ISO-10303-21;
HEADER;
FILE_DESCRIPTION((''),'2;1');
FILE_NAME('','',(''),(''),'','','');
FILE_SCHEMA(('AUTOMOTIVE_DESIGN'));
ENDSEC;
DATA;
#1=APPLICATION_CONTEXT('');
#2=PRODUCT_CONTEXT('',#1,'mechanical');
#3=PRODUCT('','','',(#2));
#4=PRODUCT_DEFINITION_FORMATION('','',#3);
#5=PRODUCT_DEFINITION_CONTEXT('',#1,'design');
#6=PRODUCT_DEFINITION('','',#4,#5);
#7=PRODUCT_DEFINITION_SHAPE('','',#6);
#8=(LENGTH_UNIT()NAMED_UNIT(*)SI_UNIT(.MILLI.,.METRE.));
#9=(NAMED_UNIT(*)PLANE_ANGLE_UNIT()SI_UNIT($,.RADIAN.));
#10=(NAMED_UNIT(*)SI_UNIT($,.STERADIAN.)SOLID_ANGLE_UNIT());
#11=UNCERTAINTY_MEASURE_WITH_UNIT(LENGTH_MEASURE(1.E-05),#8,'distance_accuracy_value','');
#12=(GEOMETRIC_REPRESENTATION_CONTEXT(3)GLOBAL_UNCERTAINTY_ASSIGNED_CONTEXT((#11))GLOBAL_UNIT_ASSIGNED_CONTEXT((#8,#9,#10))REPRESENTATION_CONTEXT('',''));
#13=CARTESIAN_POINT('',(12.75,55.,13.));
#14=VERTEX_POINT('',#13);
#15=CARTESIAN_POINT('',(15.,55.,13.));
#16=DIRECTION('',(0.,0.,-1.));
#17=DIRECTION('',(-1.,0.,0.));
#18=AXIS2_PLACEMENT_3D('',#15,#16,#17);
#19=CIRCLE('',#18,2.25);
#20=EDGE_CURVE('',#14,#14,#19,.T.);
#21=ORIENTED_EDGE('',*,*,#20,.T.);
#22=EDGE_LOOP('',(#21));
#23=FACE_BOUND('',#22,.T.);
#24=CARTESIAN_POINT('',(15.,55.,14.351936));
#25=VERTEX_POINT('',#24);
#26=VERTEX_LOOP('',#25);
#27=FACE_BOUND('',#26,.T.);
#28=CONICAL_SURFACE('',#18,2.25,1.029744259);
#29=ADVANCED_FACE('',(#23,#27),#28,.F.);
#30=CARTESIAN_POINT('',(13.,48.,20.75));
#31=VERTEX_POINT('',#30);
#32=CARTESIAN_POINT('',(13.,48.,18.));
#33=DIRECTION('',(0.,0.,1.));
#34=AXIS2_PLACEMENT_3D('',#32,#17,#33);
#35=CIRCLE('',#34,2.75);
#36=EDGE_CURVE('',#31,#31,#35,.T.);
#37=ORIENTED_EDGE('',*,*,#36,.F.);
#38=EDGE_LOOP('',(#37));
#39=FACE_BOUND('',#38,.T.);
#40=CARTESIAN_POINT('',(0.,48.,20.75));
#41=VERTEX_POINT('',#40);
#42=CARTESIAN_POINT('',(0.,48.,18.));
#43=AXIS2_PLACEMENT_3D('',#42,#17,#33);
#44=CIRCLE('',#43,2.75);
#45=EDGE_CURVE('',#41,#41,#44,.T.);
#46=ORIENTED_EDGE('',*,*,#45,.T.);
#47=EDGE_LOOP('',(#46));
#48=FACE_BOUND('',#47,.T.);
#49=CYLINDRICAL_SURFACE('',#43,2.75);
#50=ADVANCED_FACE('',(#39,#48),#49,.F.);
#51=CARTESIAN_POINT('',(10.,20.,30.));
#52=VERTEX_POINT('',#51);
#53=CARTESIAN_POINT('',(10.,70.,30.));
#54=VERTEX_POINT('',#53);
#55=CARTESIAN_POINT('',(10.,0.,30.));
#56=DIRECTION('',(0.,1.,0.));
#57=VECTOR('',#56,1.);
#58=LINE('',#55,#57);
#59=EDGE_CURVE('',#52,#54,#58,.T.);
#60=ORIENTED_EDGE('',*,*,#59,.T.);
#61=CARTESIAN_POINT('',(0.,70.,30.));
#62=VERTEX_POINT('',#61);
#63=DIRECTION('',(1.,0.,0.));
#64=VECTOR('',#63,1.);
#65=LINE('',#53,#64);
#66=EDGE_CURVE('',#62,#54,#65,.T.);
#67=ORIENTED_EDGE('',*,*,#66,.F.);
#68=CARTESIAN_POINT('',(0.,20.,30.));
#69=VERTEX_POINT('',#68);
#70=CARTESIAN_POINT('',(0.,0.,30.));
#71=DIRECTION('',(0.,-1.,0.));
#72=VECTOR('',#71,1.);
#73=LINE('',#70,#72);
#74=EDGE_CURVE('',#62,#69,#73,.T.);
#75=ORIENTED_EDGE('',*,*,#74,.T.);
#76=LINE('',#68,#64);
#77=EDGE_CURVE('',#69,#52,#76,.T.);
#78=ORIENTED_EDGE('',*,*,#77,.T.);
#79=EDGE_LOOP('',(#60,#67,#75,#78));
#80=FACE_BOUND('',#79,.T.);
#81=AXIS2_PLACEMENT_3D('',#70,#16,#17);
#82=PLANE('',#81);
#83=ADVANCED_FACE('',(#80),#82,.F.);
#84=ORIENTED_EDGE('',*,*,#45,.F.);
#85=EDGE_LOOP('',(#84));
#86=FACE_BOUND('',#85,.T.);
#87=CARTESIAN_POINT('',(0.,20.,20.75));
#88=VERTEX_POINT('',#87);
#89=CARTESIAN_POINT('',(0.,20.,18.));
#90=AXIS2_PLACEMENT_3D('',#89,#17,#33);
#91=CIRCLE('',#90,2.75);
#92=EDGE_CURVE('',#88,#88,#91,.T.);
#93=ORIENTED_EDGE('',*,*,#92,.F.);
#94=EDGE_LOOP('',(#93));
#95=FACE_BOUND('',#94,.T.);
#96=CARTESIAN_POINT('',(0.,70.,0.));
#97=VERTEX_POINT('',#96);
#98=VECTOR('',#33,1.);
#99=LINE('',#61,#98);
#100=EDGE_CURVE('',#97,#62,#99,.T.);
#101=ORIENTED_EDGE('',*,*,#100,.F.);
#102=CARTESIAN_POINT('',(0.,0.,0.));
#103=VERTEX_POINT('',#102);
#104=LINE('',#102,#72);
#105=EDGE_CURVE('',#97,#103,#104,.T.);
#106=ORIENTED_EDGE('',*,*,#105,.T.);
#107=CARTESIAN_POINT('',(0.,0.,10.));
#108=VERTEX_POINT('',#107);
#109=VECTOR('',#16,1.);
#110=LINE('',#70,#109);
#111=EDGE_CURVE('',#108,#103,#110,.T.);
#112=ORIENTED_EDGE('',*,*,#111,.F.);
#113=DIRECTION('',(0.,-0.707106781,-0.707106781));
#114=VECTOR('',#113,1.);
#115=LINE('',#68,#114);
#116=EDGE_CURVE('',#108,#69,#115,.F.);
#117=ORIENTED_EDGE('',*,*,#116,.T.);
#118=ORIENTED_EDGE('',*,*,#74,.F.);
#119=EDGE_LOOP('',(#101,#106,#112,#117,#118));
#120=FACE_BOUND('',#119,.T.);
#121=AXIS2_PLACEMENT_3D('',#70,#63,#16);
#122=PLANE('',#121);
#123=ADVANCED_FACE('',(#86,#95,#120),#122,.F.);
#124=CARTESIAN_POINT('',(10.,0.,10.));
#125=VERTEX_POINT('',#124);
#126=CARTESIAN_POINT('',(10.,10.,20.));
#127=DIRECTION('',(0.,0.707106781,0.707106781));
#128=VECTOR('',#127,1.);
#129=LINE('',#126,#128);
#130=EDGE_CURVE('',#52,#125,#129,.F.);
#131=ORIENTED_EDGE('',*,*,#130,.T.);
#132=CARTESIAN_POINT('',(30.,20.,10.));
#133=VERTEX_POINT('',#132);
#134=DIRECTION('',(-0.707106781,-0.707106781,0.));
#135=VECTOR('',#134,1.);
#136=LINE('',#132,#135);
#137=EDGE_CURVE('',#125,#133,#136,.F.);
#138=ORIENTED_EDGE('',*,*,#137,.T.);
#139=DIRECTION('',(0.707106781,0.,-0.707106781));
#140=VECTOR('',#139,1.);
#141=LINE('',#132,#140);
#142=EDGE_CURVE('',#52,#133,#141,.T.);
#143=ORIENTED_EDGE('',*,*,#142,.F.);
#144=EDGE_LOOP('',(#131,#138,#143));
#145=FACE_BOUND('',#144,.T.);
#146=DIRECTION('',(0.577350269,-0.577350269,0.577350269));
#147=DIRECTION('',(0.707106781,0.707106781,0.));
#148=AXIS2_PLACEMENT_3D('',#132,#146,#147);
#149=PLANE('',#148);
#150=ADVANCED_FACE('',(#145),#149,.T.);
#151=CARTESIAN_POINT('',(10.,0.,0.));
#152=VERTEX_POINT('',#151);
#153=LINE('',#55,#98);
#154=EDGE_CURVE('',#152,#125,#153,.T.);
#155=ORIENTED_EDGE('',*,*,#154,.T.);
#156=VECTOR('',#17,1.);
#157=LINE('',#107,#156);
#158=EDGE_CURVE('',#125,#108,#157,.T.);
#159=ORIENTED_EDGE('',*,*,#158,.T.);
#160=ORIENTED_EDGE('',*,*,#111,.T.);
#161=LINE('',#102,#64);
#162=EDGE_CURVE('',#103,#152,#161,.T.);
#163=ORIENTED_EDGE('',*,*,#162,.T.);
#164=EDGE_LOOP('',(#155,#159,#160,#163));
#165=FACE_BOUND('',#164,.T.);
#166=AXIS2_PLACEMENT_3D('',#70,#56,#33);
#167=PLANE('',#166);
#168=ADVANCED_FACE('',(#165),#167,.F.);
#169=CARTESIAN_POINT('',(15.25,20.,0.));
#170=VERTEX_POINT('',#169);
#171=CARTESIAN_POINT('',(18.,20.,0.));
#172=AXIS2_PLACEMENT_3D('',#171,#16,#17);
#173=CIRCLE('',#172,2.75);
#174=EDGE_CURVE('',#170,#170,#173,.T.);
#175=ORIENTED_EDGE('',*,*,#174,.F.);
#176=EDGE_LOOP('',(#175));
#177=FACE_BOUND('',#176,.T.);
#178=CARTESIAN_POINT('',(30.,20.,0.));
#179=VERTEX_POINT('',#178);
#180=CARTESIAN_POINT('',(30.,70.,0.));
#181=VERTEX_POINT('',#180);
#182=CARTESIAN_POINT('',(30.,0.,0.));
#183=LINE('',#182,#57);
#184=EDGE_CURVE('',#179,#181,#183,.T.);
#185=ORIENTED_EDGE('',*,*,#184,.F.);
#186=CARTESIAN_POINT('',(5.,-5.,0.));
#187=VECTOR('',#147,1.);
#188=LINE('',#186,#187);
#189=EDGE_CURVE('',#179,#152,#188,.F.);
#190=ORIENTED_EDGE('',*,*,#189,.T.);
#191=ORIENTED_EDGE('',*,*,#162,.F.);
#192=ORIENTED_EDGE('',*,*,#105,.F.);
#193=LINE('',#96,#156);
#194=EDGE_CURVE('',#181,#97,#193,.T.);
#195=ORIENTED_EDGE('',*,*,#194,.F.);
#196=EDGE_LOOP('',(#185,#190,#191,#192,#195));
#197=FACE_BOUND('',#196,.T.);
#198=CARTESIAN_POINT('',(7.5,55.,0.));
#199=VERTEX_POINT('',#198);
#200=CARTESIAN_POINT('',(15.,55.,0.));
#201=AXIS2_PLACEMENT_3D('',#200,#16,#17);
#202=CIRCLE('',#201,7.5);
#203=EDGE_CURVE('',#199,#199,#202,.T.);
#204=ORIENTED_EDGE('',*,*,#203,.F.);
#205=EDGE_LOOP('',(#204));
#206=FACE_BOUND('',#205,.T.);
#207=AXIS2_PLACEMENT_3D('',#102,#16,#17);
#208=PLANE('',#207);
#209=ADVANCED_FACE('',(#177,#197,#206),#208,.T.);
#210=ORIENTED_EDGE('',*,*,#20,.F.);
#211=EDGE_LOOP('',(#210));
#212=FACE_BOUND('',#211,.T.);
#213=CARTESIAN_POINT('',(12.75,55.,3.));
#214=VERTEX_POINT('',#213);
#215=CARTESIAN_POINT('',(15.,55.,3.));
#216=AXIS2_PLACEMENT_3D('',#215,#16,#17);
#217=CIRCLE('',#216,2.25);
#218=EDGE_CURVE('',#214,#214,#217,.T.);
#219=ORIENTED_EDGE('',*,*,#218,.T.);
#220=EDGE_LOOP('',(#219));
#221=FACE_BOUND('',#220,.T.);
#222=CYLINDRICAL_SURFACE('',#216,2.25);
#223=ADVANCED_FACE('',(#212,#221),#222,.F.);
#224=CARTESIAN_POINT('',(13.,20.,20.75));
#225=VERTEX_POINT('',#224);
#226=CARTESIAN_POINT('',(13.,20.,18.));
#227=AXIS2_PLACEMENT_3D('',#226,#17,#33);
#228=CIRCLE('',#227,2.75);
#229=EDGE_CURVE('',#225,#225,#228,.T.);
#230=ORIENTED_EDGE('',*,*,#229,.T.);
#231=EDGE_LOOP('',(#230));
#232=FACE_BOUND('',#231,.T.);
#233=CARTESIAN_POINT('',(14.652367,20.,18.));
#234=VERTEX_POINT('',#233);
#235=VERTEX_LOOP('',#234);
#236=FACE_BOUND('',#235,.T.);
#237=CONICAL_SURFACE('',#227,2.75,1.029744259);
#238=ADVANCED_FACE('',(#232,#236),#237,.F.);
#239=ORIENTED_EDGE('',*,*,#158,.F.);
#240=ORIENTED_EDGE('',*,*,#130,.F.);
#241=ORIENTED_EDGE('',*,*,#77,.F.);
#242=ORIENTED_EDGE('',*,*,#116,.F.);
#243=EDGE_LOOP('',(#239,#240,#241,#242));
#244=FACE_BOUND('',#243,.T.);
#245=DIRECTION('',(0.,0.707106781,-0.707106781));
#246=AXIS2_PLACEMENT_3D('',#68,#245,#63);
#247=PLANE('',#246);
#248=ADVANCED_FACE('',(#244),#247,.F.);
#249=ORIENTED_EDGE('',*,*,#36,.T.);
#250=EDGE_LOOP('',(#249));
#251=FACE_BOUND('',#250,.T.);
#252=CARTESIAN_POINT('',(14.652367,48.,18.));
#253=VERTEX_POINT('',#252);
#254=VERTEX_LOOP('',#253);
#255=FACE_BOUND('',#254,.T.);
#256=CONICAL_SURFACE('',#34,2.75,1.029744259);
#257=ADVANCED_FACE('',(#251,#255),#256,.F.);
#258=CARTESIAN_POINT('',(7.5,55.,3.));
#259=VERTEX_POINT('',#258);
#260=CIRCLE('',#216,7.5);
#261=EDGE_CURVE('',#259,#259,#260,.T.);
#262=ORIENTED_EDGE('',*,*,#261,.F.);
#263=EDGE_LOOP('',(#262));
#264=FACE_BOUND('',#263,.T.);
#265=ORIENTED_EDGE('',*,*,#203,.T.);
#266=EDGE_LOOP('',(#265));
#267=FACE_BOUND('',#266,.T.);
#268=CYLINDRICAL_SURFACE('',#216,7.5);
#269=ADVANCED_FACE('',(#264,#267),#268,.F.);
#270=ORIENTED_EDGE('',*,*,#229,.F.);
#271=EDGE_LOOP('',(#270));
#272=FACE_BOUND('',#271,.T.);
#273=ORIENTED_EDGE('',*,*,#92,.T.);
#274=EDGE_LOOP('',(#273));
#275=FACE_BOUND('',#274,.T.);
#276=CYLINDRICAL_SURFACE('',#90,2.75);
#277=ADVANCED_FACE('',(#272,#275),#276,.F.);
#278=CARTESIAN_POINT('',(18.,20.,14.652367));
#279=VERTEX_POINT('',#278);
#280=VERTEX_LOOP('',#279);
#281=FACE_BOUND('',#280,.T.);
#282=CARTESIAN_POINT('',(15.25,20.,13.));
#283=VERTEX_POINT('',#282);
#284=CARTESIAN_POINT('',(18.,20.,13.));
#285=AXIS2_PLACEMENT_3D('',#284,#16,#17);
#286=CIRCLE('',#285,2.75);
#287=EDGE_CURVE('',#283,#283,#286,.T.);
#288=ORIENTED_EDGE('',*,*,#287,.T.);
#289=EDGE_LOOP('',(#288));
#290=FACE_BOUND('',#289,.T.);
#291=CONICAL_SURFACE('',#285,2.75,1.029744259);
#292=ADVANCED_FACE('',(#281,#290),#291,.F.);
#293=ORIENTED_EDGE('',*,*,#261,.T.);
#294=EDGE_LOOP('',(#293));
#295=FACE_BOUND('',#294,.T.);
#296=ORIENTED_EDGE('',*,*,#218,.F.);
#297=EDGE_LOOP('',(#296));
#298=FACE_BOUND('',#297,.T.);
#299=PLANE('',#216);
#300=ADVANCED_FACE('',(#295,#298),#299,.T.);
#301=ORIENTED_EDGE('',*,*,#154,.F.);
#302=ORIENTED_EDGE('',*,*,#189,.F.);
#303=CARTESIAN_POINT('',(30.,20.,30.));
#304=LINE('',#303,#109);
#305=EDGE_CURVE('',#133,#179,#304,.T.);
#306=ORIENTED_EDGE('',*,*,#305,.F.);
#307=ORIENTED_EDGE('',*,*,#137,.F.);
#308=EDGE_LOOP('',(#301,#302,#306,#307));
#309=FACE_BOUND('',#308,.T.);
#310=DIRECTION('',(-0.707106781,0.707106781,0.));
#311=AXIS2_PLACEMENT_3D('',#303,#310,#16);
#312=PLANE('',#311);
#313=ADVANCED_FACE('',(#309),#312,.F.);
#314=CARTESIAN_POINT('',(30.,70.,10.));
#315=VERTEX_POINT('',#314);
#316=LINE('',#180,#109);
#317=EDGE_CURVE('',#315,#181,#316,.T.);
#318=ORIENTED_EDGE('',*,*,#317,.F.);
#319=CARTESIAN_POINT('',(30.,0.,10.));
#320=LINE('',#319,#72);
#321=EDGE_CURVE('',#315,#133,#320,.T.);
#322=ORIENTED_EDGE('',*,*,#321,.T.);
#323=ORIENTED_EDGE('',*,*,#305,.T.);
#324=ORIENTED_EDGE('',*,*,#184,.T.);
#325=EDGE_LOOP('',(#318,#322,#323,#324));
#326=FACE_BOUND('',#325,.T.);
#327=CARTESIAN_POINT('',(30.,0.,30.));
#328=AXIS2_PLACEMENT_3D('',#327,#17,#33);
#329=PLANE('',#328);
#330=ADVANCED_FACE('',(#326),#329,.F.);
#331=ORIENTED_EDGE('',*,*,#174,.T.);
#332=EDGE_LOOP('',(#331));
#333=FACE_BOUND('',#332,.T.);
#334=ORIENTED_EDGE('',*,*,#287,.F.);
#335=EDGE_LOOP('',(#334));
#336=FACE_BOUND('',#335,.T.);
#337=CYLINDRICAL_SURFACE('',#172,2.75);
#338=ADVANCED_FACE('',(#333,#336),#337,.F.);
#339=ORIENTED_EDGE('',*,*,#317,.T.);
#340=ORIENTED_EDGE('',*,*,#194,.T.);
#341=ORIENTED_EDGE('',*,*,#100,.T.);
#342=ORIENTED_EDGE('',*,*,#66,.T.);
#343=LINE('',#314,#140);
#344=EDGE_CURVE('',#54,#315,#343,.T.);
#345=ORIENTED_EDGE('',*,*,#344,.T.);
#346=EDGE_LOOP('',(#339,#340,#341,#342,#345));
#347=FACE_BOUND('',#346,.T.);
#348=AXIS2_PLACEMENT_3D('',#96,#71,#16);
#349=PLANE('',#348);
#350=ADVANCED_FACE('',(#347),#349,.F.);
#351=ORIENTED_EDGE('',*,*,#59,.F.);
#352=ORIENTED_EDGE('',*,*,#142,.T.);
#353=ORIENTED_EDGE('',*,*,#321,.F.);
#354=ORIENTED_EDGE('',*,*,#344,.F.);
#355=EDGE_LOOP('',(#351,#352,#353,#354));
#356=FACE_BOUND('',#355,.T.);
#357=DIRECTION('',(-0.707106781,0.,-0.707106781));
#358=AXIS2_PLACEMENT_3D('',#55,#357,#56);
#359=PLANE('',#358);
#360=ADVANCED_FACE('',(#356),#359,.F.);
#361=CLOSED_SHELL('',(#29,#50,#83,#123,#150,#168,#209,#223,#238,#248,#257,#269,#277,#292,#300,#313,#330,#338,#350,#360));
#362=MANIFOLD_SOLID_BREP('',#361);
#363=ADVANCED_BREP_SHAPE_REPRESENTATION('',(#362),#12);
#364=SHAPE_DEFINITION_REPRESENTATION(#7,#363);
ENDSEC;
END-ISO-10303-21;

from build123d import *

# Parameters (mm, degrees)
SCHIZZO1_W                   = 30
SCHIZZO1_H                   = 40
ESTRUSIONE_ESTRUSIONE1_DEPTH = 30
SMUSSO1_SIZE                 = 20
ESTRUSIONE_ESTRUSIONE2_DEPTH = 30
FORO_PER_VITE_M5_1_D         = 5.5
FORO_PER_VITE_M5_1_DEPTH     = 13
FORO_PER_VITE_M5_1_TIP       = 1.652366702
FORO_PER_VITE_M5_2_D         = 5.5
FORO_PER_VITE_M5_2_DEPTH     = 13
FORO_PER_VITE_M5_2_TIP       = 1.652366702
SCHIZZO6_R                   = 7.5
TAGLIO_ESTRUSIONE1_DEPTH     = 3
FORO_PER_VITE_M4_1_D         = 4.5
FORO_PER_VITE_M4_1_DEPTH     = 10
FORO_PER_VITE_M4_1_TIP       = 1.351936393


with BuildPart() as part:
    # Schizzo1 → Estrusione-Estrusione1 (new body)
    with BuildSketch(Plane.XY):
        with Locations((15, 20)):
            Rectangle(SCHIZZO1_W, SCHIZZO1_H)
    extrude(amount=ESTRUSIONE_ESTRUSIONE1_DEPTH)

    # Smusso1
    smusso1_edges = [part.edges().sort_by_distance(p)[0] for p in [
        (30, 20, 30),
        (30, 0, 15),
        (15, 0, 30),
    ]]
    chamfer(smusso1_edges, length=SMUSSO1_SIZE)

    # Schizzo2 → Estrusione-Estrusione2 (add)
    with BuildSketch(Plane(origin=(0, 40, 0), x_dir=(1, 0, 0), z_dir=(0, 1, 0))):
        Polygon((0, 0), (30, 0), (30, -10), (10, -30), (0, -30), align=None)
    extrude(amount=ESTRUSIONE_ESTRUSIONE2_DEPTH)

    # Foro per Vite M5-1
    with Locations(Plane.ZY):
        with Locations((18, 20), (18, 48)):
            Hole(FORO_PER_VITE_M5_1_D / 2, depth=FORO_PER_VITE_M5_1_DEPTH)
            with Locations((0, 0, -(FORO_PER_VITE_M5_1_DEPTH + FORO_PER_VITE_M5_1_TIP / 2))):  # 118° drill point
                Cone(0, FORO_PER_VITE_M5_1_D / 2, FORO_PER_VITE_M5_1_TIP, mode=Mode.SUBTRACT)

    # Foro per Vite M5-2
    with Locations(Plane(origin=(18, 20, 0), x_dir=(-1, 0, 0), z_dir=(0, 0, -1))):
        with Locations((0, 0)):
            Hole(FORO_PER_VITE_M5_2_D / 2, depth=FORO_PER_VITE_M5_2_DEPTH)
            with Locations((0, 0, -(FORO_PER_VITE_M5_2_DEPTH + FORO_PER_VITE_M5_2_TIP / 2))):  # 118° drill point
                Cone(0, FORO_PER_VITE_M5_2_D / 2, FORO_PER_VITE_M5_2_TIP, mode=Mode.SUBTRACT)

    # Schizzo6 → Taglio-Estrusione1 (cut)
    with BuildSketch(Plane(origin=(0, 0, 0), x_dir=(-1, 0, 0), z_dir=(0, 0, -1))):
        with Locations((-15, 55)):
            Circle(SCHIZZO6_R)
    extrude(amount=-TAGLIO_ESTRUSIONE1_DEPTH, mode=Mode.SUBTRACT)

    # Foro per Vite M4-1
    with Locations(Plane(origin=(0, 0, 3), x_dir=(-1, 0, 0), z_dir=(0, 0, -1))):
        with Locations((-15, 55)):
            Hole(FORO_PER_VITE_M4_1_D / 2, depth=FORO_PER_VITE_M4_1_DEPTH)
            with Locations((0, 0, -(FORO_PER_VITE_M4_1_DEPTH + FORO_PER_VITE_M4_1_TIP / 2))):  # 118° drill point
                Cone(0, FORO_PER_VITE_M4_1_D / 2, FORO_PER_VITE_M4_1_TIP, mode=Mode.SUBTRACT)


solid = part.part
